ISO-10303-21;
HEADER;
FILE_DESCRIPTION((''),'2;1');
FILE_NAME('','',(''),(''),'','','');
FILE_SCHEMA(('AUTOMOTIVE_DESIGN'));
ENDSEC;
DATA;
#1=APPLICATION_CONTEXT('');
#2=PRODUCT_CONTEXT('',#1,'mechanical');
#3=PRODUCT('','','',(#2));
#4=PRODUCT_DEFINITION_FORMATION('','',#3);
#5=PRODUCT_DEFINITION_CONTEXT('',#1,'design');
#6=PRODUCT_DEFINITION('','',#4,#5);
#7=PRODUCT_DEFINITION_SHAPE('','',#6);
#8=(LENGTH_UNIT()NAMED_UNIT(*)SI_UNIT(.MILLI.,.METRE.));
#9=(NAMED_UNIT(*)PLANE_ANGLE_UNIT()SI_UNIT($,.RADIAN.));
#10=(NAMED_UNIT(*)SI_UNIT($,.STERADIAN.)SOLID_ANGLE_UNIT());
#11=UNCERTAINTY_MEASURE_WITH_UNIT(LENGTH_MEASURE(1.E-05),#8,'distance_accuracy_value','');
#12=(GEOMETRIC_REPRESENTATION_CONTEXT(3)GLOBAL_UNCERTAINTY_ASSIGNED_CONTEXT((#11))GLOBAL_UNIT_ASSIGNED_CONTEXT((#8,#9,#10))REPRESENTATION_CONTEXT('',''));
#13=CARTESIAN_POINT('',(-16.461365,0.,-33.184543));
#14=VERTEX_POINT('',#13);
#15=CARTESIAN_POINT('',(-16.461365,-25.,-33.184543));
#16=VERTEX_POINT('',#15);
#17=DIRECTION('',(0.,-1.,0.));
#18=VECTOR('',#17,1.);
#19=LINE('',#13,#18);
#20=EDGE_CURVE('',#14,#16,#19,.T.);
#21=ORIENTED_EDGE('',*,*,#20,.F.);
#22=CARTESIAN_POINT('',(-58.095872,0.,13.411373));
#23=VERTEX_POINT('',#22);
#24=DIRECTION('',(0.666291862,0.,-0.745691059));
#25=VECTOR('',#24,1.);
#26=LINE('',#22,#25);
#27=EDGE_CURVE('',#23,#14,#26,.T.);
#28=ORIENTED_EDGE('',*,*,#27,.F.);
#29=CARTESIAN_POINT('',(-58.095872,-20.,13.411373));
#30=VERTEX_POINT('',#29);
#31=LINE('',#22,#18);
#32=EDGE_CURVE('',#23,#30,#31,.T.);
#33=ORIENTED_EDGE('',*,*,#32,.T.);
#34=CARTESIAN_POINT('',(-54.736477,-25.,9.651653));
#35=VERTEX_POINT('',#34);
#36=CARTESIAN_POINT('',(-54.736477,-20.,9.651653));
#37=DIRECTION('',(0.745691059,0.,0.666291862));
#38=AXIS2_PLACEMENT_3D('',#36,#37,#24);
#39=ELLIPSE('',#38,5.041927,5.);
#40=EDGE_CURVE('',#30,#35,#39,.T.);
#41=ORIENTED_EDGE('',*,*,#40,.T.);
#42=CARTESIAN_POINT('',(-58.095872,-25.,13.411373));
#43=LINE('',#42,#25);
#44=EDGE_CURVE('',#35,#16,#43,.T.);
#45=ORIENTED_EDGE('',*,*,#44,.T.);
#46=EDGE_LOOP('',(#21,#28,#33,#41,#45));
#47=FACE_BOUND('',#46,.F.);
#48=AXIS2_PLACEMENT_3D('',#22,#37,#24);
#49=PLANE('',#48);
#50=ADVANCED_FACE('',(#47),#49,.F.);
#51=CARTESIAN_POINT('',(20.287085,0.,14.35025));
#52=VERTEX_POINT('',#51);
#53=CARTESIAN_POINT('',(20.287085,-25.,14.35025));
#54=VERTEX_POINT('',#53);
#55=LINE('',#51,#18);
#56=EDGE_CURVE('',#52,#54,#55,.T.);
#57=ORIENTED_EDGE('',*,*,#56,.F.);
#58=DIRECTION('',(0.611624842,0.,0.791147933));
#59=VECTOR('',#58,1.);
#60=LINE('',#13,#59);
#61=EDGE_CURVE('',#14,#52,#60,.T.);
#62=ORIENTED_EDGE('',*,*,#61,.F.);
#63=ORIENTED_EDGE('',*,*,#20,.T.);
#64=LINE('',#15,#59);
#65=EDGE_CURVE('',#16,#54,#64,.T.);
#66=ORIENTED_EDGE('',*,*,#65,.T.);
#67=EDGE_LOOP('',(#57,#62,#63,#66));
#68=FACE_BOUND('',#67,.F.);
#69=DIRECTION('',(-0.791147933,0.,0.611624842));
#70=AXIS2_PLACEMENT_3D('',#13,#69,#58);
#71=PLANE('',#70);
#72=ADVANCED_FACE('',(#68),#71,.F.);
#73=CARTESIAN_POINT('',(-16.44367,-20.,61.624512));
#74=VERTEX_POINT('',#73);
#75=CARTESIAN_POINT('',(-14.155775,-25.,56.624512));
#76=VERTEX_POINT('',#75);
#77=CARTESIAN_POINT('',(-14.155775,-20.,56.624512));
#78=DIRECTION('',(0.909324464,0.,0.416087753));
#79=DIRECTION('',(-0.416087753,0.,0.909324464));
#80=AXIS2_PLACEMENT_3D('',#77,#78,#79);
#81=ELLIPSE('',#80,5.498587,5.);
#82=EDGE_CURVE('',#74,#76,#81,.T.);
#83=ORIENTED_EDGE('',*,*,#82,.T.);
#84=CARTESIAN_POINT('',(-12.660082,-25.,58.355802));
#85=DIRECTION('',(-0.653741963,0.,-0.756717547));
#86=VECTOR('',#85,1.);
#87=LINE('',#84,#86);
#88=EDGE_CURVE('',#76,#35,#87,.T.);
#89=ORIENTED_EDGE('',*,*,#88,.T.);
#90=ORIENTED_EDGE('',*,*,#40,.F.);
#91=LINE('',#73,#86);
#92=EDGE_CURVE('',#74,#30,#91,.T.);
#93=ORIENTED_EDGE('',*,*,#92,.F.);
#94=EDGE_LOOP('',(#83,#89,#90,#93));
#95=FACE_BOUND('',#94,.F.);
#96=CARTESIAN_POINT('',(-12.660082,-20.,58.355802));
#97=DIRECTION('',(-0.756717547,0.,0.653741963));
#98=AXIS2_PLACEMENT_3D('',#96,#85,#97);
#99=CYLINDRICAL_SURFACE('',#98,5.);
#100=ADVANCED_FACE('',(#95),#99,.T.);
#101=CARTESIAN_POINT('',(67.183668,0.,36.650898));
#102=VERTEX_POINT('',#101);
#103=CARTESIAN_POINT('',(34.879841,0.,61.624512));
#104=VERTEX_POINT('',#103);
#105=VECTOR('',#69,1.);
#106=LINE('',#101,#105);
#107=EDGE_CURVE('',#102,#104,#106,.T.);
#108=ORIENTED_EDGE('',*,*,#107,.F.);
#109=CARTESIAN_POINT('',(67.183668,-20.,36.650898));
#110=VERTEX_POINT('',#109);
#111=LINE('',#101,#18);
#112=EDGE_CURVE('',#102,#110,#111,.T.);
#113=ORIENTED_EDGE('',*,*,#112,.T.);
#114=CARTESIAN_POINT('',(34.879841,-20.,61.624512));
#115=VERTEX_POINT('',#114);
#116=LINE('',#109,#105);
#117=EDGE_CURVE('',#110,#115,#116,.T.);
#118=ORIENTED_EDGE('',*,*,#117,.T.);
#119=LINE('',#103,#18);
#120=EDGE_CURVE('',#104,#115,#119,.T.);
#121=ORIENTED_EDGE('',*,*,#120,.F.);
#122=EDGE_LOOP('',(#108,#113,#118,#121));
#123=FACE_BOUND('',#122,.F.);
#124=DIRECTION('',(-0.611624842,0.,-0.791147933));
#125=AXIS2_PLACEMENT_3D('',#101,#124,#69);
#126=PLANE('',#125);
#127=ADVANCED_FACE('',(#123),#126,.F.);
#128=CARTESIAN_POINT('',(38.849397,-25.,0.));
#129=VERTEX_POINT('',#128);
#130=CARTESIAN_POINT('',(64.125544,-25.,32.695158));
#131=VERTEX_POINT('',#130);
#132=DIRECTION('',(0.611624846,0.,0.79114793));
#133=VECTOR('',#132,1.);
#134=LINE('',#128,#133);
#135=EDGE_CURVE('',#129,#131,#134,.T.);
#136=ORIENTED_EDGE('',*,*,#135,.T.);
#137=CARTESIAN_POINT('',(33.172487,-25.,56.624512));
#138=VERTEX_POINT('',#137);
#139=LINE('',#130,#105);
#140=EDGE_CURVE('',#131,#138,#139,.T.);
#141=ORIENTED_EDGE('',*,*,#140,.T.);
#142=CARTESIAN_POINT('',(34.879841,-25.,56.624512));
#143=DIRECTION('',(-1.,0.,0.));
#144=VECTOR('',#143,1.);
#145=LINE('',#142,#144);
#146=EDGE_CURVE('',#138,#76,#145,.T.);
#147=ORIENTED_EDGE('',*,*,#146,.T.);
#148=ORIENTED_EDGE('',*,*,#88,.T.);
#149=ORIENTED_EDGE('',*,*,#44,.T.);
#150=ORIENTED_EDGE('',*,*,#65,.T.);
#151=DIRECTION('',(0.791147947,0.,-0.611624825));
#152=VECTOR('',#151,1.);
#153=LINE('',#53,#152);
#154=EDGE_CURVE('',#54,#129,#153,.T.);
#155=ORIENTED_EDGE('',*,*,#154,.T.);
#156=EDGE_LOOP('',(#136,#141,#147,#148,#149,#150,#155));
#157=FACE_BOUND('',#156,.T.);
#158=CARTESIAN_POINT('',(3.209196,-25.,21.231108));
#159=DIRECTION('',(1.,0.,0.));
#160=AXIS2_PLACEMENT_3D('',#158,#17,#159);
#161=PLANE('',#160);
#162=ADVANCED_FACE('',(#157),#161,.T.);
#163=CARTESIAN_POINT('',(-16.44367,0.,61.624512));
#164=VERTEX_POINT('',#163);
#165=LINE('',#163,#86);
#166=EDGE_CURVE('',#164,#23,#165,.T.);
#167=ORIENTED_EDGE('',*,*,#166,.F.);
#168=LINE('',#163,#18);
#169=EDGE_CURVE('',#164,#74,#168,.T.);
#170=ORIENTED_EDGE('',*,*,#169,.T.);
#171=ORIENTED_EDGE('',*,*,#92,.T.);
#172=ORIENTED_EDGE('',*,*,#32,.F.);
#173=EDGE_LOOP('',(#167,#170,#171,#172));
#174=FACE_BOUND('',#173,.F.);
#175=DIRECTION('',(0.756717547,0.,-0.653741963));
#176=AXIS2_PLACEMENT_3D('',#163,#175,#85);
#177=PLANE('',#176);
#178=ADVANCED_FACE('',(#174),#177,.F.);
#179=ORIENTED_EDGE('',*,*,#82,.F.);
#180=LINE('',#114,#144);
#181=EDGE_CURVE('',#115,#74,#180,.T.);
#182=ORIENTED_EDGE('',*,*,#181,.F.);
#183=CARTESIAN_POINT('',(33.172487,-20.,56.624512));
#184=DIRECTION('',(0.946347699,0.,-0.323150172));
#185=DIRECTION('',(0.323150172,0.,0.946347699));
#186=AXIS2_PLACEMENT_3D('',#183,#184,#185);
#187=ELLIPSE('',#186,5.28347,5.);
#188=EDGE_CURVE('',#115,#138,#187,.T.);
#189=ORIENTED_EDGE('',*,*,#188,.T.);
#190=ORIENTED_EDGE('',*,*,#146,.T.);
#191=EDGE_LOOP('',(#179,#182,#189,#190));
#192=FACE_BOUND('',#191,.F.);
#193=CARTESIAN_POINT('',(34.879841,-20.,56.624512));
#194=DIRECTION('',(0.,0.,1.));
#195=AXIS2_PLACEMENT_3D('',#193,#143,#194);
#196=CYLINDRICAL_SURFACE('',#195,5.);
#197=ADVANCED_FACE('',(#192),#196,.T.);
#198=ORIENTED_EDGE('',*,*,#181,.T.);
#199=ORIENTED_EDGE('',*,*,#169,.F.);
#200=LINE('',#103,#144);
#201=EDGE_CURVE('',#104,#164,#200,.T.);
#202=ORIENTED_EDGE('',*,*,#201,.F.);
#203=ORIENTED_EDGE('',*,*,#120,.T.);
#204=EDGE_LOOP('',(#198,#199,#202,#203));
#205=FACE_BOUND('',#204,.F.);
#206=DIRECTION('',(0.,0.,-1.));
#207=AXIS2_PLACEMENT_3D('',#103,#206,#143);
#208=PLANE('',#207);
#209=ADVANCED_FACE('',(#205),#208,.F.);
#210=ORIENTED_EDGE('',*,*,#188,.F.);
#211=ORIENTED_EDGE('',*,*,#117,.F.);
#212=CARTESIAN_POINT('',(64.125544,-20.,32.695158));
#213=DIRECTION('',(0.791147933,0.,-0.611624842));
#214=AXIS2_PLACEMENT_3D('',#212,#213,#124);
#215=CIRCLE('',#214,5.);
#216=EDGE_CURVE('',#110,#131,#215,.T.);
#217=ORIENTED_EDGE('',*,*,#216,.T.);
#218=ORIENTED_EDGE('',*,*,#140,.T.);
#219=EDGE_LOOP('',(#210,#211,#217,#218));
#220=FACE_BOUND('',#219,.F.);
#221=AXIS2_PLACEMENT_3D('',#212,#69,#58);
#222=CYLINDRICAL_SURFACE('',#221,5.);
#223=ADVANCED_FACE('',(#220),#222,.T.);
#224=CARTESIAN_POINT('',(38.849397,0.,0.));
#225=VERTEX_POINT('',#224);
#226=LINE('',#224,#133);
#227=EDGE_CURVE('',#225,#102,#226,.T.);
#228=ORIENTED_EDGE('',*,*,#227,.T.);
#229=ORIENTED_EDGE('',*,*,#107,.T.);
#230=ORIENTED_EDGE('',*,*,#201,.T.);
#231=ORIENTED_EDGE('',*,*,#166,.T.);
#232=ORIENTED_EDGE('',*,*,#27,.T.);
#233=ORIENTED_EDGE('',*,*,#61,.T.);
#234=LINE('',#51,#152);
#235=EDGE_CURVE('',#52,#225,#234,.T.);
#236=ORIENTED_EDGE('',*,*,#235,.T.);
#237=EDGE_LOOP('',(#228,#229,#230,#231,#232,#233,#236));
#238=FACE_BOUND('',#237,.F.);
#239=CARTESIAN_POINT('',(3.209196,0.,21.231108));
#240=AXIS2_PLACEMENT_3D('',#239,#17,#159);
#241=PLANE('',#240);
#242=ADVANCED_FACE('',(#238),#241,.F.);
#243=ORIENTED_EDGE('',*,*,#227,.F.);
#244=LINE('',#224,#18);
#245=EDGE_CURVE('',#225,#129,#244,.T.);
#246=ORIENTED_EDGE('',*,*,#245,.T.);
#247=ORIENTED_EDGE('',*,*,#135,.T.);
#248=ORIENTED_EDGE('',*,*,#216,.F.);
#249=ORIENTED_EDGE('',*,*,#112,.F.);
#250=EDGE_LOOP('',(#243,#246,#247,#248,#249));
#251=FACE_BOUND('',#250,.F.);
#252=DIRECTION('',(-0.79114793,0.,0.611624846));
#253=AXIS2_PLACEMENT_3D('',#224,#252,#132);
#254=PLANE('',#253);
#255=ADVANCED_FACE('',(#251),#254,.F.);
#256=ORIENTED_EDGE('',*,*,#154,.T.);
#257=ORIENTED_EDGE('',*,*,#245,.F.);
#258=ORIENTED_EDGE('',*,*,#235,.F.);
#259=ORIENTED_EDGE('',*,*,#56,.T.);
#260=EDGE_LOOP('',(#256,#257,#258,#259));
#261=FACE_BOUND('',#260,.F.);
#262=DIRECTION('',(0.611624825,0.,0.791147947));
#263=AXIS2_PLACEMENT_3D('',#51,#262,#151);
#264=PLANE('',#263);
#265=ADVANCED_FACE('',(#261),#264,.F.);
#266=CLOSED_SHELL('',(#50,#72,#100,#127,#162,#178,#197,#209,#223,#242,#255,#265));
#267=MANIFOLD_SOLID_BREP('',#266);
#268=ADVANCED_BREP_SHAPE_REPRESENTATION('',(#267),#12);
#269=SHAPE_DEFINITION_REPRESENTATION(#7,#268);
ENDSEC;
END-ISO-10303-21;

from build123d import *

# Parameters (mm, degrees)
F1_DEPTH = 25
F2_R     = 5


with BuildPart() as f1:
    # F0 (on Front) → F1 (new body)
    with BuildSketch(Plane.XZ):
        Polygon((-58.095872, 13.411373), (-16.461365, -33.184543), (20.287085, 14.35025), (38.849397, 0), (67.183668, 36.650898), (34.879841, 61.624512), (-16.44367, 61.624512), align=None)
    extrude(amount=F1_DEPTH)

    # F2
    f2_edges = [f1.edges().sort_by_distance(p)[0] for p in [
        (51.031754, -25, 49.137705),
        (9.218086, -25, 61.624512),
        (-37.269771, -25, 37.517942),
    ]]
    fillet(f2_edges, radius=F2_R)


solid = f1.part
